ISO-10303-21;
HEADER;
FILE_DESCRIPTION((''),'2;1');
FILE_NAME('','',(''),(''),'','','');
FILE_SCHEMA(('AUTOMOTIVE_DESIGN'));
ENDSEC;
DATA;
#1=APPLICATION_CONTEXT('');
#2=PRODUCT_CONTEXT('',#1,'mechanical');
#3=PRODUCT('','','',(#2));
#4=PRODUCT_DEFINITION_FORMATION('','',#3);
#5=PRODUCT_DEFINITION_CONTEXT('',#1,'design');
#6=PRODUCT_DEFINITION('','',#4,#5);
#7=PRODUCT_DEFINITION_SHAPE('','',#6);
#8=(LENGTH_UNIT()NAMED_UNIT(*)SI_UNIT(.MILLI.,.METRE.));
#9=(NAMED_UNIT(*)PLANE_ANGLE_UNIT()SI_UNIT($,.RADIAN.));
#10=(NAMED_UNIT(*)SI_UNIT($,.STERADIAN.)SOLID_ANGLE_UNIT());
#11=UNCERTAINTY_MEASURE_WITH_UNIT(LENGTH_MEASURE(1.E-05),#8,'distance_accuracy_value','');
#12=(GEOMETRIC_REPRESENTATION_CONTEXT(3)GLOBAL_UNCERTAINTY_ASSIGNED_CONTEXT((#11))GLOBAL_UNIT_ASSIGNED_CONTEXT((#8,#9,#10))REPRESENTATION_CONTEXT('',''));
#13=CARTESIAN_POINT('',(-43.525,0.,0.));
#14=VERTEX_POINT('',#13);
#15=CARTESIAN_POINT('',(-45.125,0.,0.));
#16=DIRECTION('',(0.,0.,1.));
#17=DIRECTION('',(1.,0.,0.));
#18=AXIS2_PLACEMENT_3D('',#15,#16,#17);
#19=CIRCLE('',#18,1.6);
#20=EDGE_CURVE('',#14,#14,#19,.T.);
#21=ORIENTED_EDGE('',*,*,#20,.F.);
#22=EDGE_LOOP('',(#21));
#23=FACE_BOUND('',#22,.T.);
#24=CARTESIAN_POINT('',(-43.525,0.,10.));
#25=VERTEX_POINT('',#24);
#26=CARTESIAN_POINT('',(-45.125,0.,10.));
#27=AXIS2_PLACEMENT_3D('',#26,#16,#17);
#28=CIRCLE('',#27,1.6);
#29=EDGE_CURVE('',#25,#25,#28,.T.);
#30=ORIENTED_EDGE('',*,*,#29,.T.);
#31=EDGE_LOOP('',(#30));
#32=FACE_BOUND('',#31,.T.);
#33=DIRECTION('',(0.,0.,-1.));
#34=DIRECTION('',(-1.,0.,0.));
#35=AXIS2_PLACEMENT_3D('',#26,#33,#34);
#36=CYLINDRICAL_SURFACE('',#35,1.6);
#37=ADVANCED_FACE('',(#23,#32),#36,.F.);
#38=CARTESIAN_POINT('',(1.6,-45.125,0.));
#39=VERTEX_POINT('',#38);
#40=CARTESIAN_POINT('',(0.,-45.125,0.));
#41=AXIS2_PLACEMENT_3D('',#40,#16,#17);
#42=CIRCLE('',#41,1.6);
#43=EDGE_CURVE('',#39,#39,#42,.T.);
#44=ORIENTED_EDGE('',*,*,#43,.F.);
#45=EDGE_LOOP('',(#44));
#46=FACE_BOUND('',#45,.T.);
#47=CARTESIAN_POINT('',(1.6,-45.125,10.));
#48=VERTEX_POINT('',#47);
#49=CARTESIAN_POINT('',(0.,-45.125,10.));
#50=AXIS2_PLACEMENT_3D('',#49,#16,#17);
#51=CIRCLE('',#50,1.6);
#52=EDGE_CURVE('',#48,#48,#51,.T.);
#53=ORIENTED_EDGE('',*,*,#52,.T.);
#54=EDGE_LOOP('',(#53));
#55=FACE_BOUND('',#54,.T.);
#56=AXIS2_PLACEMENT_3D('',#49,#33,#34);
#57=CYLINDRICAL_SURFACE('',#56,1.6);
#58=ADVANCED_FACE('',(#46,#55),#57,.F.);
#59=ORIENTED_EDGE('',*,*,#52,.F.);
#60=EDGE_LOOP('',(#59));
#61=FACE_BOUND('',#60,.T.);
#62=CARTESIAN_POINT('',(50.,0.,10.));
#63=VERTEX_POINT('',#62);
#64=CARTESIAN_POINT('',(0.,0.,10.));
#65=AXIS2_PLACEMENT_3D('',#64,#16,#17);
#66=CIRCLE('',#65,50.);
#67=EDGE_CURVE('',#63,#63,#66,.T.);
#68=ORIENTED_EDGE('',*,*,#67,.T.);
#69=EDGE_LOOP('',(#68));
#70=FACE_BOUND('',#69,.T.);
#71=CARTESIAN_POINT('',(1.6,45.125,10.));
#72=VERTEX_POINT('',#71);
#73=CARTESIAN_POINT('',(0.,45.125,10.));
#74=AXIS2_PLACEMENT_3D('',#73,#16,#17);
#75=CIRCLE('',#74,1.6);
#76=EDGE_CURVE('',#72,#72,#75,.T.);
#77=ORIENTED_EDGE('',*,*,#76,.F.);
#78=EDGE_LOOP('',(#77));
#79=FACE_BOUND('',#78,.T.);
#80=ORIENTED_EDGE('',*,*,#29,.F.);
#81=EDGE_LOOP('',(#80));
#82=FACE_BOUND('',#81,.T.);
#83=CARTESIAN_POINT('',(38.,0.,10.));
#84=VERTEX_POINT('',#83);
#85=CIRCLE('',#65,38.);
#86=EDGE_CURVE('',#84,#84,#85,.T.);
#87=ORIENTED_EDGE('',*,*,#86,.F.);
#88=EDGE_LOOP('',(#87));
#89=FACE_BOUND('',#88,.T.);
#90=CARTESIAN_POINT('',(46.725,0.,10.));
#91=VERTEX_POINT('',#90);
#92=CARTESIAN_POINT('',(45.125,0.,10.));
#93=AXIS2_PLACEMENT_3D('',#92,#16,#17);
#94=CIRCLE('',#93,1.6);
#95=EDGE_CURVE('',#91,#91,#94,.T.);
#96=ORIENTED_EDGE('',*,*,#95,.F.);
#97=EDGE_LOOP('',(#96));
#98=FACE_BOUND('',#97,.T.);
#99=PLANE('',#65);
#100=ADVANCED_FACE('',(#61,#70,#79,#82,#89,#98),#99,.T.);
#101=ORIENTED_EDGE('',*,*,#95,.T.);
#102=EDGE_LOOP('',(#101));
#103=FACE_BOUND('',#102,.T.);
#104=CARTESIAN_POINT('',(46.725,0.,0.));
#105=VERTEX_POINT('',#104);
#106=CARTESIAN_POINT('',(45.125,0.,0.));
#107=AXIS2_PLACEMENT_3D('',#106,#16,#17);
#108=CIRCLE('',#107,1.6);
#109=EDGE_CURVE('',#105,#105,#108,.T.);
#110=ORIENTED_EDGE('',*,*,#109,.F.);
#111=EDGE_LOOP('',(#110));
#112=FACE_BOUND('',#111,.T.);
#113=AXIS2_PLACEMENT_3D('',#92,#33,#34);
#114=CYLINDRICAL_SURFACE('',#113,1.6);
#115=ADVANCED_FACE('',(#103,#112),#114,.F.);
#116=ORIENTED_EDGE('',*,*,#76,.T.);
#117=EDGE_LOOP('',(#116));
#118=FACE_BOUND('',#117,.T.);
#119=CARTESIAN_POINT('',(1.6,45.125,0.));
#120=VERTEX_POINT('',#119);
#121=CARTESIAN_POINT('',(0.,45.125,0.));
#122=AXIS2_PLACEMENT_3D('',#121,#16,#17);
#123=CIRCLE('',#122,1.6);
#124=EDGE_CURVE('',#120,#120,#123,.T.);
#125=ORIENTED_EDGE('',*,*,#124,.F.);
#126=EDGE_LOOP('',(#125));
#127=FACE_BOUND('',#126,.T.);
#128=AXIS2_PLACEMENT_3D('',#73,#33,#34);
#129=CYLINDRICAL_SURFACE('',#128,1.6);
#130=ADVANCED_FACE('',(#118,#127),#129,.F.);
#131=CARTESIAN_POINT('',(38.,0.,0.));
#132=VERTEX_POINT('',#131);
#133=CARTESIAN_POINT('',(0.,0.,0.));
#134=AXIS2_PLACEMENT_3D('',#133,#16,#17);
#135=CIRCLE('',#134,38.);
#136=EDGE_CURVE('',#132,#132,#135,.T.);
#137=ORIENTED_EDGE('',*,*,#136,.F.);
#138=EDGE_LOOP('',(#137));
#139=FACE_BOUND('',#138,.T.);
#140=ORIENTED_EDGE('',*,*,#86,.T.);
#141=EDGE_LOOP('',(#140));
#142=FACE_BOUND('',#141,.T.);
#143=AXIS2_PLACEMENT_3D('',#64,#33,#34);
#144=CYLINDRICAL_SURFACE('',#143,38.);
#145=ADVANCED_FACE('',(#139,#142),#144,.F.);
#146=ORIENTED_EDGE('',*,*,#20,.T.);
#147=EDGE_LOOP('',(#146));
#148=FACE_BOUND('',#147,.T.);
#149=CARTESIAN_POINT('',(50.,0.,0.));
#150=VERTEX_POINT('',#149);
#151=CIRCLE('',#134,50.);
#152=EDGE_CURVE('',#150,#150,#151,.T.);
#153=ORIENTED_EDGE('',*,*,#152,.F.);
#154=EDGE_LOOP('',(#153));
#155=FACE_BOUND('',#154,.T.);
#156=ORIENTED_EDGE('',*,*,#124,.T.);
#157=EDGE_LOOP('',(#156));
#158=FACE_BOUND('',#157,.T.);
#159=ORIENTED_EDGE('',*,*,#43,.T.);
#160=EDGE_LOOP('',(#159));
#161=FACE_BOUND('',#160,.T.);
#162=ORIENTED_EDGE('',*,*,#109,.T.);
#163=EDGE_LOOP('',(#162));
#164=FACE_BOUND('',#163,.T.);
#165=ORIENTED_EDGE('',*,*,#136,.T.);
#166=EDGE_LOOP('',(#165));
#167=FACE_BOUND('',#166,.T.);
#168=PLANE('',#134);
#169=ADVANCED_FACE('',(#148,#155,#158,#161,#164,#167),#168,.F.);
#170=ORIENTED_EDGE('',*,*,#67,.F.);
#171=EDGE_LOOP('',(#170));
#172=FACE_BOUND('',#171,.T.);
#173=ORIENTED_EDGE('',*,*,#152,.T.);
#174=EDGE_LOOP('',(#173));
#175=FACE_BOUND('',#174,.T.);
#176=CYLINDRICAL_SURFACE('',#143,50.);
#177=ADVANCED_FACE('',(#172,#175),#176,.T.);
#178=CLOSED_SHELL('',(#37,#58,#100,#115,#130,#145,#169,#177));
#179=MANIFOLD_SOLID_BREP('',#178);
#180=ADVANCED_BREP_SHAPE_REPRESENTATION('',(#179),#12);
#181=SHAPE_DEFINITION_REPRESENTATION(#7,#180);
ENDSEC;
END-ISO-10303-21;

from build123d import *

# Parameters (mm, degrees)
SKETCH1_R           = 50
SKETCH1_R_2         = 38
SKETCH1_R_3         = 1.6
BOSS_EXTRUDE1_DEPTH = 10


with BuildPart() as part:
    # Sketch1 → Boss-Extrude1 (new body)
    with BuildSketch(Plane.XY):
        Circle(SKETCH1_R)
        Circle(SKETCH1_R_2, mode=Mode.SUBTRACT)
        with Locations((0, 45.125)):
            Circle(SKETCH1_R_3, mode=Mode.SUBTRACT)
        with Locations((45.125, 0)):
            Circle(SKETCH1_R_3, mode=Mode.SUBTRACT)
        with Locations((0, -45.125)):
            Circle(SKETCH1_R_3, mode=Mode.SUBTRACT)
        with Locations((-45.125, 0)):
            Circle(SKETCH1_R_3, mode=Mode.SUBTRACT)
    extrude(amount=BOSS_EXTRUDE1_DEPTH)


solid = part.part
